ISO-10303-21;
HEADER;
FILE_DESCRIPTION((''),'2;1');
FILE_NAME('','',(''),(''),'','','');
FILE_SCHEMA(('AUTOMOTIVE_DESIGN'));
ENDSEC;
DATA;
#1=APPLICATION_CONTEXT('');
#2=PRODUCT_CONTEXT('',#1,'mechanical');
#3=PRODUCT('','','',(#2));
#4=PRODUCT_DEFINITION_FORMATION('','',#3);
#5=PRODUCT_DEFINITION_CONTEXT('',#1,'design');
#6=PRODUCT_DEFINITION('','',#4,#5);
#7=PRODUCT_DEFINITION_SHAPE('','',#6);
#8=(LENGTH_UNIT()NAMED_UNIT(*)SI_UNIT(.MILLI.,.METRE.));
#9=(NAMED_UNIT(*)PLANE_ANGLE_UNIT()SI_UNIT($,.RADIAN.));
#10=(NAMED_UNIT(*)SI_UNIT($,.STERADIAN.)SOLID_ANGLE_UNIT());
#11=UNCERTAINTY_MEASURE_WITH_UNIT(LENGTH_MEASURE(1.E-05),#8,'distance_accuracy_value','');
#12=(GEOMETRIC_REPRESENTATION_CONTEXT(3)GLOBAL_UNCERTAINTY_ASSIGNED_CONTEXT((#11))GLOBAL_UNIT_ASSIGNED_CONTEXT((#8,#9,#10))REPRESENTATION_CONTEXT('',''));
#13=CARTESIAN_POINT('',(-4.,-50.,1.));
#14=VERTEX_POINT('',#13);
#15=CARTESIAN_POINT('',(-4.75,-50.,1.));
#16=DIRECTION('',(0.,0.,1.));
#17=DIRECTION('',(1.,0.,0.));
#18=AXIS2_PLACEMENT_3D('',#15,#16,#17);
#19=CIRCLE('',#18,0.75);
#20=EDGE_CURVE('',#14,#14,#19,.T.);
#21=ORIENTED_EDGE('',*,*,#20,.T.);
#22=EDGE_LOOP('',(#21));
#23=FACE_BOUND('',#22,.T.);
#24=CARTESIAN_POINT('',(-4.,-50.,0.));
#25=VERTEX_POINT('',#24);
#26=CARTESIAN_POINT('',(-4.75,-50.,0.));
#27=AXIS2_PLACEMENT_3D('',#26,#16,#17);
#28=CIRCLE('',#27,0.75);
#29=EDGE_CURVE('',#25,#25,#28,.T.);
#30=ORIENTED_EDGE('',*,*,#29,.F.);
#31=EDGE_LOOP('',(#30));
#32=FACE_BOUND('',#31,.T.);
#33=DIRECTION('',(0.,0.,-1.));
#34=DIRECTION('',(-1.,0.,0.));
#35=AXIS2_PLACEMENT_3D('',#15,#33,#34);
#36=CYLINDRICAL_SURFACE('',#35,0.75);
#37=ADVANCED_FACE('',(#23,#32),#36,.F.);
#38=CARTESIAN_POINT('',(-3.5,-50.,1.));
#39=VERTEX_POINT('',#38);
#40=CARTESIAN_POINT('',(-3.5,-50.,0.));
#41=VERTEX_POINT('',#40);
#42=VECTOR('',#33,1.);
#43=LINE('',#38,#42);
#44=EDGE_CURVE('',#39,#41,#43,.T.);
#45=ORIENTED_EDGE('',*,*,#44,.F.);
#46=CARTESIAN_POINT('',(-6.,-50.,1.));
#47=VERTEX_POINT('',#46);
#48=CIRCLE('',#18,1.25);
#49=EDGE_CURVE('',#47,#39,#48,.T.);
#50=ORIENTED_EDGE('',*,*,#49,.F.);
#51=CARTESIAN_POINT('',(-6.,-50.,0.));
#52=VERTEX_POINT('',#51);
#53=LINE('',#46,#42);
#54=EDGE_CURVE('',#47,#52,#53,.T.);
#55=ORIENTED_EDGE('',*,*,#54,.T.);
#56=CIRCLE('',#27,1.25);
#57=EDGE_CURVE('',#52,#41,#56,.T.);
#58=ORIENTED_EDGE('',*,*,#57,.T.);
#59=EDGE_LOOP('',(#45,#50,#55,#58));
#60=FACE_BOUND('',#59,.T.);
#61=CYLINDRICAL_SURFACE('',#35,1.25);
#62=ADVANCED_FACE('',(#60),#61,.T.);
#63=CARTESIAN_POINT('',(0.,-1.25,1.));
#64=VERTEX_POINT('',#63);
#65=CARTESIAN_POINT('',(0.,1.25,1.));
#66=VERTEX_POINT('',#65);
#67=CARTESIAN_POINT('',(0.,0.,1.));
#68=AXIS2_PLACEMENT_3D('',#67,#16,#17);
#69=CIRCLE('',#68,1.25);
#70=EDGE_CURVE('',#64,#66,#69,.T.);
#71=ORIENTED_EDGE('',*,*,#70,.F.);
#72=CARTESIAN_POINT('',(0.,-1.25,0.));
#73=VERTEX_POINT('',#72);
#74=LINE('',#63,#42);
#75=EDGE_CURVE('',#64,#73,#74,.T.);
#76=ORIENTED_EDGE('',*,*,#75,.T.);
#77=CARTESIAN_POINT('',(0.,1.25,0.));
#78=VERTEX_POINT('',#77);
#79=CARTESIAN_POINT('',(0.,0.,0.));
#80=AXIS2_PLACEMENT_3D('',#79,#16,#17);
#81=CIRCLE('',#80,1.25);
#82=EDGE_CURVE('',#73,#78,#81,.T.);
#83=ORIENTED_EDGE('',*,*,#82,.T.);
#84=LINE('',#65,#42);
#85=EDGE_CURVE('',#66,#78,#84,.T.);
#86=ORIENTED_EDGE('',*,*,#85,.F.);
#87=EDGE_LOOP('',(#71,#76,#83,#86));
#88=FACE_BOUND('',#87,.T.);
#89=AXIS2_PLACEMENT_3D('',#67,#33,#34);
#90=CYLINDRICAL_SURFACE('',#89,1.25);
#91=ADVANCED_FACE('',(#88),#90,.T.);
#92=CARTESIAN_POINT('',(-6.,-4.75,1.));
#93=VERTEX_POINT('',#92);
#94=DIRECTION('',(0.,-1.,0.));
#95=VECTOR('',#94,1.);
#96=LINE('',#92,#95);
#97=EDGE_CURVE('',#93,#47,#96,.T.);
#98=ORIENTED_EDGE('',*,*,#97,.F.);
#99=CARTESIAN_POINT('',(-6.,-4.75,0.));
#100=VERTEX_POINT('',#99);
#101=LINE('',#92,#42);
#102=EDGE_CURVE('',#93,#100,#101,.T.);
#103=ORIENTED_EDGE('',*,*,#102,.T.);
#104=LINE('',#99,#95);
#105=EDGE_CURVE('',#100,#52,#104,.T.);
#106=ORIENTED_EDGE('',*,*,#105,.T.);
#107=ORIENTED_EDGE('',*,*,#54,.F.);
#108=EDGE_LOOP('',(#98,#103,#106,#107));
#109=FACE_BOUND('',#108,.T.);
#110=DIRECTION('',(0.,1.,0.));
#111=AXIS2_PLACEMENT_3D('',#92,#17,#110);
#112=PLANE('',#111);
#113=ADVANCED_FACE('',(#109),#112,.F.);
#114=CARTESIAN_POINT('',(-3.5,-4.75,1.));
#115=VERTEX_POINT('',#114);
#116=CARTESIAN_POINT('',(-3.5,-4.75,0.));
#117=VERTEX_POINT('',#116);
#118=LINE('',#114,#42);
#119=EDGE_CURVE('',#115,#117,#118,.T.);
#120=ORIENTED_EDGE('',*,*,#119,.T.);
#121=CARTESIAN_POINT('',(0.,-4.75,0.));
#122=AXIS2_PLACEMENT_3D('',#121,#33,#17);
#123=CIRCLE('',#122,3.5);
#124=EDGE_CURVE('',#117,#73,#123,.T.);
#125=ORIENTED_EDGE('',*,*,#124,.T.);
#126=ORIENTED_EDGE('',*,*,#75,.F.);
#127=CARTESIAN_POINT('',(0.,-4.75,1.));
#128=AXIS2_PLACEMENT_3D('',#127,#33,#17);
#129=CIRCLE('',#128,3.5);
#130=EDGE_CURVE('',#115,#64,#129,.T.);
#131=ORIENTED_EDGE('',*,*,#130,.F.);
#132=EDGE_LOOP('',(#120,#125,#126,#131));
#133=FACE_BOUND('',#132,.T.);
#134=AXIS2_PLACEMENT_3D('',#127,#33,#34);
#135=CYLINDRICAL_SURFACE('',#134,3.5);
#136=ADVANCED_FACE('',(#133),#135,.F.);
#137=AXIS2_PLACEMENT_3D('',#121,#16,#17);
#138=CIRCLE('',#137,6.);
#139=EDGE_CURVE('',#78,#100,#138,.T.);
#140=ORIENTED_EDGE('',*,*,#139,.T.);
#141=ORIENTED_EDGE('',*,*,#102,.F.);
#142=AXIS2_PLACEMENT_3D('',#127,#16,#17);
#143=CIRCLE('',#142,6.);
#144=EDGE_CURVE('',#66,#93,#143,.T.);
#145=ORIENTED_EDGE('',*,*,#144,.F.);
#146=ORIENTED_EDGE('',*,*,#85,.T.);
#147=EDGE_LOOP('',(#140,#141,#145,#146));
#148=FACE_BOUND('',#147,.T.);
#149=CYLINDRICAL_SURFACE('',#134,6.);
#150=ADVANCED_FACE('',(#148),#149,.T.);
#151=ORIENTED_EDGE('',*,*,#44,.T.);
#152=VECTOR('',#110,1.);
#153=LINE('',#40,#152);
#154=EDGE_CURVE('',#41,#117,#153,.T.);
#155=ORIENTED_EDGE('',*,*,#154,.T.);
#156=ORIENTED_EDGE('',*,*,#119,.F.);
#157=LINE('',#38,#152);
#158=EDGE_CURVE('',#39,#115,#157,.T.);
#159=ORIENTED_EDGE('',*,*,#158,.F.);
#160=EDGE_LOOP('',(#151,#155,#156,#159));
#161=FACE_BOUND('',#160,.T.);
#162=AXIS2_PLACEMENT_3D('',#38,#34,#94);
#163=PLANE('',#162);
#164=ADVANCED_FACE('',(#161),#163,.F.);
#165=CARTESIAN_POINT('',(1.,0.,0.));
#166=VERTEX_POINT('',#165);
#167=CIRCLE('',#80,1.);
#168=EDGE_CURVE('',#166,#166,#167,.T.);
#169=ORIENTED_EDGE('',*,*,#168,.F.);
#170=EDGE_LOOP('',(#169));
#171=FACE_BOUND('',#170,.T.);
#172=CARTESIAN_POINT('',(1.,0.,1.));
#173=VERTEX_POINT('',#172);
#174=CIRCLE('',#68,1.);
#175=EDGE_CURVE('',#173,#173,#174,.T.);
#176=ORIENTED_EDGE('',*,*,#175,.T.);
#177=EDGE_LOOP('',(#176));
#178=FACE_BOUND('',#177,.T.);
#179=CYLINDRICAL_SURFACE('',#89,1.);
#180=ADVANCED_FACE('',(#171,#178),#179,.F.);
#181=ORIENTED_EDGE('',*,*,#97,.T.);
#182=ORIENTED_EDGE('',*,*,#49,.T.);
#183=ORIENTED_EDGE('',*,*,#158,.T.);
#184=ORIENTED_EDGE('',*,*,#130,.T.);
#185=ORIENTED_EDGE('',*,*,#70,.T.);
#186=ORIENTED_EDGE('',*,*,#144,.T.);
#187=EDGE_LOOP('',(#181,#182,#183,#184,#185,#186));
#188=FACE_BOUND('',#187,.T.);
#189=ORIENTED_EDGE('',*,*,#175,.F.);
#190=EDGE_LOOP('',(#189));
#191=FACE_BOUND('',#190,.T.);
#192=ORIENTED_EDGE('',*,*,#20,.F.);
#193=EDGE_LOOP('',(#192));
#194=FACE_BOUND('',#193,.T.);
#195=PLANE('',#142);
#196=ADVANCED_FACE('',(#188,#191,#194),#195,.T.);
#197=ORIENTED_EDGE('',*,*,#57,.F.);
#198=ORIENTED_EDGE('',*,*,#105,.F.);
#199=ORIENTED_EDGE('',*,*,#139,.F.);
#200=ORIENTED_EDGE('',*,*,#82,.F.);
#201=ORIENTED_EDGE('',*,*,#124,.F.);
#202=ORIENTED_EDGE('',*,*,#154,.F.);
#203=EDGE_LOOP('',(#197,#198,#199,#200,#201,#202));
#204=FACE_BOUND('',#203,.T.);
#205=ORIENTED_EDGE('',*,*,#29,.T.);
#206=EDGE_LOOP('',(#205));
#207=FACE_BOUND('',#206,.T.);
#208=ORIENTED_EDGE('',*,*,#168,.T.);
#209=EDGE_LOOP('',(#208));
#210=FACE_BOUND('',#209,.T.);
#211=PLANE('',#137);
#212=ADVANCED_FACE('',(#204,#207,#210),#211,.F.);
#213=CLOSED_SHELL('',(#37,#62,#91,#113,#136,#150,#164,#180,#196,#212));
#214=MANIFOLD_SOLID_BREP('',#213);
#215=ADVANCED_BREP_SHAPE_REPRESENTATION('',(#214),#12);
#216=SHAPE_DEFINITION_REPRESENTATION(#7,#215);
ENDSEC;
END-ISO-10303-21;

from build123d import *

# Parameters (mm, degrees)
SKETCH2_R           = 1
SKETCH2_R_2         = 0.75
BOSS_EXTRUDE1_DEPTH = 1


with BuildPart() as part:
    # Sketch2 → Boss-Extrude1 (new body)
    with BuildSketch(Plane.XY):
        with BuildLine():
            Line((-6, -4.75), (-6, -50))
            ThreePointArc((-6, -50), (-4.75, -51.25), (-3.5, -50))
            Line((-3.5, -50), (-3.5, -4.75))
            ThreePointArc((-3.5, -4.75), (-2.474873734, -2.275126266), (0, -1.25))
            ThreePointArc((0, -1.25), (1.25, 0), (0, 1.25))
            ThreePointArc((0, 1.25), (-4.242640687, -0.507359313), (-6, -4.75))
        make_face()
        Circle(SKETCH2_R, mode=Mode.SUBTRACT)
        with Locations((-4.75, -50)):
            Circle(SKETCH2_R_2, mode=Mode.SUBTRACT)
    extrude(amount=BOSS_EXTRUDE1_DEPTH)


solid = part.part
